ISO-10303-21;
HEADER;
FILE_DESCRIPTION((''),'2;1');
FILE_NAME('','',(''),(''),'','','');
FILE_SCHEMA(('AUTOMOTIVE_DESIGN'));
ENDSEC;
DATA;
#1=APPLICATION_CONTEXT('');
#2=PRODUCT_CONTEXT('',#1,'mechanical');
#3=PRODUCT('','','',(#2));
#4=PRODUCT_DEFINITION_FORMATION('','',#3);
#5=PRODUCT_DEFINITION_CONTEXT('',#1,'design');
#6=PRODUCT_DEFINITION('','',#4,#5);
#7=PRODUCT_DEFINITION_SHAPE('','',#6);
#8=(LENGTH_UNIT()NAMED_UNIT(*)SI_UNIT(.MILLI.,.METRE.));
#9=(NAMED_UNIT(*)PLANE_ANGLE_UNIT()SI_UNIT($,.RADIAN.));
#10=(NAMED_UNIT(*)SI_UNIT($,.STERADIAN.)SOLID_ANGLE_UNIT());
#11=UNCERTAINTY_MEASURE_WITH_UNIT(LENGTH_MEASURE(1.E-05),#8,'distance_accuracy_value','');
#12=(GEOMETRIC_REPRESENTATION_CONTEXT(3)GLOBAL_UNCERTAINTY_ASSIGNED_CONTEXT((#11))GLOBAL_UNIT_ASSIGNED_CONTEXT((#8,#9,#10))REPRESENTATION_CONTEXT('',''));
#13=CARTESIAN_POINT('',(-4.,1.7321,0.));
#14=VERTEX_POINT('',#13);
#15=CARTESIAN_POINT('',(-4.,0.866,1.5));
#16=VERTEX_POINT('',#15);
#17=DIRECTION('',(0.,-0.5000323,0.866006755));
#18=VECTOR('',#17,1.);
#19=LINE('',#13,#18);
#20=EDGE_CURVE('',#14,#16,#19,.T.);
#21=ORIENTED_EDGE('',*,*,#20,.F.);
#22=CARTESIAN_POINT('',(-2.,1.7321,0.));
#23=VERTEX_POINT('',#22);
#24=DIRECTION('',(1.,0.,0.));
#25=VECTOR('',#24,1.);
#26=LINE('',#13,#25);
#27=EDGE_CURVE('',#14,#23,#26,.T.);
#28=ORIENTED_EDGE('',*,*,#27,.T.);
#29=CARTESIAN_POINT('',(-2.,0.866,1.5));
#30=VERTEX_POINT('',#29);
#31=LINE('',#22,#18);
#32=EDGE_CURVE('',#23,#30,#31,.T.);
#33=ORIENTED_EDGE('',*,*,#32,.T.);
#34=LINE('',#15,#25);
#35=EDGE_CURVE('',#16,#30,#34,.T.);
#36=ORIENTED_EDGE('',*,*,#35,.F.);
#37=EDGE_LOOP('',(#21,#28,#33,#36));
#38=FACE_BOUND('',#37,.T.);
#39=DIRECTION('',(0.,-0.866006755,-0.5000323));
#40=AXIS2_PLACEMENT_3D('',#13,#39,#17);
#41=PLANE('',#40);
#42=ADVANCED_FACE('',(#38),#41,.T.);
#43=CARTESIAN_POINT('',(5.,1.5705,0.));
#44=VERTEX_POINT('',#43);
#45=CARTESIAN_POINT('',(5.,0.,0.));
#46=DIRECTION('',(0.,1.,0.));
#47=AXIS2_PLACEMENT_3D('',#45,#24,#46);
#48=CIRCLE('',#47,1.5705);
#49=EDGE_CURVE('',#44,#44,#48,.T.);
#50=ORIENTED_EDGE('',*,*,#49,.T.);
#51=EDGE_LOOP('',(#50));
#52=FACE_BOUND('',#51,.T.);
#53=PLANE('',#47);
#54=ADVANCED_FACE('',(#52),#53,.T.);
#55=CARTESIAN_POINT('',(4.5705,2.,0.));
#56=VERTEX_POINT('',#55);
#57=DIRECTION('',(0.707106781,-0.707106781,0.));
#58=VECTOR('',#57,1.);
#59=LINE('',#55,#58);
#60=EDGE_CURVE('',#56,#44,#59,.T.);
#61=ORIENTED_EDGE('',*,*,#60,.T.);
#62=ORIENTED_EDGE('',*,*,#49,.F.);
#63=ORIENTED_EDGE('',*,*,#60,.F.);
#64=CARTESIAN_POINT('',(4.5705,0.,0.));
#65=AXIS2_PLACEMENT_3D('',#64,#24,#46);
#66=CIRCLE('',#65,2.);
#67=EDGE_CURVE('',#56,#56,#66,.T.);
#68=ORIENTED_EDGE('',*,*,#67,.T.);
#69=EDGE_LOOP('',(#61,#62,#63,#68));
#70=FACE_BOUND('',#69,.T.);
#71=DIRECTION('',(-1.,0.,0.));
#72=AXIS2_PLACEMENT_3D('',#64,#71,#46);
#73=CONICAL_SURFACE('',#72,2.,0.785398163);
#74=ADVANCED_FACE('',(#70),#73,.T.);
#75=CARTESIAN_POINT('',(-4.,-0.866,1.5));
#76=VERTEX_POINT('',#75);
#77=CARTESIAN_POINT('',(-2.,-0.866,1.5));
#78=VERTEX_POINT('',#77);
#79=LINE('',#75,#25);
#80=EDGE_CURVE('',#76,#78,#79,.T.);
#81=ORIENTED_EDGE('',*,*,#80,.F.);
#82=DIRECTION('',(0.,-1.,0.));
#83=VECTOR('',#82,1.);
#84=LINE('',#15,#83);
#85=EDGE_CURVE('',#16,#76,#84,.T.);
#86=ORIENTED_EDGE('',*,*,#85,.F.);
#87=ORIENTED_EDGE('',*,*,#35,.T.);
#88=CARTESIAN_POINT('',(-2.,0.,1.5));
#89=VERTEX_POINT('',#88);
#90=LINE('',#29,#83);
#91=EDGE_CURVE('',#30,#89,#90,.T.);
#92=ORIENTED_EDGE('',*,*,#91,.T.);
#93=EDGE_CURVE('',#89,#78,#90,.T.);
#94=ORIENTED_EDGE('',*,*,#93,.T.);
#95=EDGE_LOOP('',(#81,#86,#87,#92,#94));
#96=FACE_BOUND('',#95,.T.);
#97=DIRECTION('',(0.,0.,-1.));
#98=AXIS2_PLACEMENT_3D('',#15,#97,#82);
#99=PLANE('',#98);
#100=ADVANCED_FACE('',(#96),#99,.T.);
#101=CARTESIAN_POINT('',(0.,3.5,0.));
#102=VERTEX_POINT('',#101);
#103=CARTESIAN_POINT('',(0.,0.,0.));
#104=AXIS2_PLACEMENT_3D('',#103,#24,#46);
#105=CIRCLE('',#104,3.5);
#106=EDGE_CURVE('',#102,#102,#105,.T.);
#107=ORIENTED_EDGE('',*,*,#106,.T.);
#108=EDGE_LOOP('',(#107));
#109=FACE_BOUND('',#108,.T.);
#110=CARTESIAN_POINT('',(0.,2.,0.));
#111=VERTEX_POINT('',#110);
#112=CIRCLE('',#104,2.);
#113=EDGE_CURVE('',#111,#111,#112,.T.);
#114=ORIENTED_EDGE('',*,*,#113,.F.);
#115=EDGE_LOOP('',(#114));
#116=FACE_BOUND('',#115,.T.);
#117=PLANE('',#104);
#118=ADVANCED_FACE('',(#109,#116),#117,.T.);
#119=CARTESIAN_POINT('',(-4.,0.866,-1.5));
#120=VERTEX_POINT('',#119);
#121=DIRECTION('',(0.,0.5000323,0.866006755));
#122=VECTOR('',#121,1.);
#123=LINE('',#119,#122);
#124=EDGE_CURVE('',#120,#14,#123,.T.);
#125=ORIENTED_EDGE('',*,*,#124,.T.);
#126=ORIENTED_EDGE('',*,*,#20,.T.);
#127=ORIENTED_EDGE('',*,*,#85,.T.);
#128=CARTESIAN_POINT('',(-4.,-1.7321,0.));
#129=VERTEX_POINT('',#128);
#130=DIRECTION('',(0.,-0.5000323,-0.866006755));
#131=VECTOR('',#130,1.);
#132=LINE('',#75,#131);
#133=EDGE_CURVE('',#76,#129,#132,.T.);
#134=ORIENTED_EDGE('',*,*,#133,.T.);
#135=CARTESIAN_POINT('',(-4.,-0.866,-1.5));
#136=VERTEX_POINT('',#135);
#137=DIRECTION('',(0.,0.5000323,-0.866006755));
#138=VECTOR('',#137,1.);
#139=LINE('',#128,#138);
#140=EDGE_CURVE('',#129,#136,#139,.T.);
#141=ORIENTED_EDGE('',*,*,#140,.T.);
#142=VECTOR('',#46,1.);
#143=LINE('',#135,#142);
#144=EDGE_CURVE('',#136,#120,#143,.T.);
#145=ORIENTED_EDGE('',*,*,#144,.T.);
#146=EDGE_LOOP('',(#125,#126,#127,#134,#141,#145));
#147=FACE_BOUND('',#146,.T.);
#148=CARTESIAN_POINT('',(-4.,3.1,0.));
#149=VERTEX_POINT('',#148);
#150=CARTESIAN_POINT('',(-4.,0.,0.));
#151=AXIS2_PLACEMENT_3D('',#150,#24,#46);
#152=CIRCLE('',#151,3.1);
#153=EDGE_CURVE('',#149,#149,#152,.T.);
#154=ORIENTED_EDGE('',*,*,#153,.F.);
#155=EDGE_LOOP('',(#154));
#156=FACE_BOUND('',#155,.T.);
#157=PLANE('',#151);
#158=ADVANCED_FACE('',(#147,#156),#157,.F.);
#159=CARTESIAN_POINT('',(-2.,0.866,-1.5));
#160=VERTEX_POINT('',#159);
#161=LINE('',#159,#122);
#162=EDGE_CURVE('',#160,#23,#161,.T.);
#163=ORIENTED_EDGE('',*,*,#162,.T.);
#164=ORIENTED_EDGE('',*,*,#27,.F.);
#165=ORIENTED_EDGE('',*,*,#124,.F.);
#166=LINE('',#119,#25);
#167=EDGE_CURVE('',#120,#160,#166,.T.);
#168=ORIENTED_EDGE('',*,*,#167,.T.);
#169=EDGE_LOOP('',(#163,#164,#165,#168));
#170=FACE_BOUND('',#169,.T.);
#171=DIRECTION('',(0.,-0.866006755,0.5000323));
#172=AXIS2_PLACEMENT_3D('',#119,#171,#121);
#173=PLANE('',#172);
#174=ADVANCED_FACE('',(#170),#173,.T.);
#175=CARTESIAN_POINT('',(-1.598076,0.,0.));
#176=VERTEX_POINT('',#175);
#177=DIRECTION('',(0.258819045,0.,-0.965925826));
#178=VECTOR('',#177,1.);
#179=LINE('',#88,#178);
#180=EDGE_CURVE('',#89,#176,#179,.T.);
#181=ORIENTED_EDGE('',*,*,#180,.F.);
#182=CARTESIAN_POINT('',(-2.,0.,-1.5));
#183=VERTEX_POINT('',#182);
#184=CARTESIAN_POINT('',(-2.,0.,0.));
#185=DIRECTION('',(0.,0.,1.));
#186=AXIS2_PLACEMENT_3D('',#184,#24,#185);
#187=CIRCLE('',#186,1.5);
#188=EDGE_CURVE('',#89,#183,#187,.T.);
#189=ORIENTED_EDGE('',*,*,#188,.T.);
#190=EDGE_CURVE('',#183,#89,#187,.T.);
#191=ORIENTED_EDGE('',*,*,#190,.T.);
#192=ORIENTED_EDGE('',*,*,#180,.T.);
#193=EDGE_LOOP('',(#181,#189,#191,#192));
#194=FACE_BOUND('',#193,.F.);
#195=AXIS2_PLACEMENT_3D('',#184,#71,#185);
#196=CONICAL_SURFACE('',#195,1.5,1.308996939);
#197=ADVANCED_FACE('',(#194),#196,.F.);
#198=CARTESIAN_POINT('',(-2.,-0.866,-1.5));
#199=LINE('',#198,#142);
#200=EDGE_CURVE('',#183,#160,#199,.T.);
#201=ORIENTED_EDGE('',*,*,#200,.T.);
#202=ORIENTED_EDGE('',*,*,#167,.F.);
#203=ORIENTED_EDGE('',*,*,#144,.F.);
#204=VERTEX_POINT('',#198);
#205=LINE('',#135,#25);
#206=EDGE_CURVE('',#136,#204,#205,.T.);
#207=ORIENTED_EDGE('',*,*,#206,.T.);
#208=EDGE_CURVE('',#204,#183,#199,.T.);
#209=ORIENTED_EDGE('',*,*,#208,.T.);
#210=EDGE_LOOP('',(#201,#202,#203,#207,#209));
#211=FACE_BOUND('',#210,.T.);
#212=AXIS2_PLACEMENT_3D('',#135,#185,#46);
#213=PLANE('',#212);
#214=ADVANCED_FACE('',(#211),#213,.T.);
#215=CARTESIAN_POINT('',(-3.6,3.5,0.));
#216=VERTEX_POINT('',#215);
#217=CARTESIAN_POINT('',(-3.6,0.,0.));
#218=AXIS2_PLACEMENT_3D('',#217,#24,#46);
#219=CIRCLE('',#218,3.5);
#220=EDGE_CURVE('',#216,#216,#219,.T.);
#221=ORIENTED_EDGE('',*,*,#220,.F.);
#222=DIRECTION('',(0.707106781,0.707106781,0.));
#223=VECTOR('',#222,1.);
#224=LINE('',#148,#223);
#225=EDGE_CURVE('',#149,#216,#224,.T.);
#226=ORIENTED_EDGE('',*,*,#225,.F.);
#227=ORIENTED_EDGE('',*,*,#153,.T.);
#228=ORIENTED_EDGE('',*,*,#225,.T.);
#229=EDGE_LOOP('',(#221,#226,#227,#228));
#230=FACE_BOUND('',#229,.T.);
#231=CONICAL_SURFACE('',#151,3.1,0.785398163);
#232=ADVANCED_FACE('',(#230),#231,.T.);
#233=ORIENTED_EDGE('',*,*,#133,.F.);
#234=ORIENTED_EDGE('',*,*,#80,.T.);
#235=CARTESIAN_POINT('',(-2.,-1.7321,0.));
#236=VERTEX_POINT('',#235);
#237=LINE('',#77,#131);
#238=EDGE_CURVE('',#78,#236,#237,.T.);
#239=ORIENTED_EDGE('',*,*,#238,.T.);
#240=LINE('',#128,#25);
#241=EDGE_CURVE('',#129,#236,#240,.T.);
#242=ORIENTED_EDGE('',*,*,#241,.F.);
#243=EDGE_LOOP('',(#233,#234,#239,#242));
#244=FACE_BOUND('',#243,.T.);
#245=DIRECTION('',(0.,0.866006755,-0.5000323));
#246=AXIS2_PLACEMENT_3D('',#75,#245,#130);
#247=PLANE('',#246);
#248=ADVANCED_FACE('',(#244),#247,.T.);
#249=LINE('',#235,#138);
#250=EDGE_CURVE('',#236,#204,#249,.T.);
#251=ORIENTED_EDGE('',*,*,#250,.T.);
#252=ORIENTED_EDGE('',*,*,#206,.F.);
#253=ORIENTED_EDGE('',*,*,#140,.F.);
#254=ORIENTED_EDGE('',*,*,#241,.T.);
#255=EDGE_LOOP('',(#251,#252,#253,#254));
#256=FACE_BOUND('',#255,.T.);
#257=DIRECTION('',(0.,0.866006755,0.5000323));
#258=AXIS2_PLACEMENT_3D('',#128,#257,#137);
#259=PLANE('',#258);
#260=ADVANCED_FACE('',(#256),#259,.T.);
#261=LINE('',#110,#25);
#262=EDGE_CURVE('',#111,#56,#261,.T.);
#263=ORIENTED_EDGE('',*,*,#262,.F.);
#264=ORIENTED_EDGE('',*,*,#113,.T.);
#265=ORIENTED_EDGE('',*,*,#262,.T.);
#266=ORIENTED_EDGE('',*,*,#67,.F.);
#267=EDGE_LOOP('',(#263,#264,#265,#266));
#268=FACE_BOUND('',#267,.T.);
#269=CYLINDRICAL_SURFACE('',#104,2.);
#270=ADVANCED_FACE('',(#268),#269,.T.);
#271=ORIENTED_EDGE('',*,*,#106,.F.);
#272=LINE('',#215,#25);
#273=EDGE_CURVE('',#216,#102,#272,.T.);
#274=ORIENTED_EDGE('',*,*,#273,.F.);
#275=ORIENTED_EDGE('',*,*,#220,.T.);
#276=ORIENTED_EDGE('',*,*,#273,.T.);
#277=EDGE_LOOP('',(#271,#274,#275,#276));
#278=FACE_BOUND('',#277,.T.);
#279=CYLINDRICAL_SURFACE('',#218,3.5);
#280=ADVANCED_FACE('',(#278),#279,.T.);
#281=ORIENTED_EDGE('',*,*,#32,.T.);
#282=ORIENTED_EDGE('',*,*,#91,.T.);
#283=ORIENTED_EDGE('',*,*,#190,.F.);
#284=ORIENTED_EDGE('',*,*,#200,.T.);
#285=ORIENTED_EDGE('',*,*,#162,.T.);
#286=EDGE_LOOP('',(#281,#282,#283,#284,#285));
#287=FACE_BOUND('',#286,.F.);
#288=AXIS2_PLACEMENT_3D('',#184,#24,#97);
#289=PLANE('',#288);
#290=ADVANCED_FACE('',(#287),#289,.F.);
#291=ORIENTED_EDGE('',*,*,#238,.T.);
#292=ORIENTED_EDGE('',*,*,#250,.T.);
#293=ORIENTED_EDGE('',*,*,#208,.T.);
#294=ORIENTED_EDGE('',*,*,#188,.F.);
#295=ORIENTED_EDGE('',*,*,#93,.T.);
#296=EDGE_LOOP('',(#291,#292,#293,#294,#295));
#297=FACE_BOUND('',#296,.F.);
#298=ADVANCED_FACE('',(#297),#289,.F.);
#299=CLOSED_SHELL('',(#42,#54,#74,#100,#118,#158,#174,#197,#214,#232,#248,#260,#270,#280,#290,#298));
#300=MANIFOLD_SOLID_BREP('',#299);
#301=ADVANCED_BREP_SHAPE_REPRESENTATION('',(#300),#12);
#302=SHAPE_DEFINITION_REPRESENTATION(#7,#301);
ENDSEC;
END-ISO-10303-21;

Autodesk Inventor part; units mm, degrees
sketch "Sketch_1" plane through (0, 0, 0) normal (0, 0, 1) x (1, 0, 0)
  line L0 (5, 0) -> (-4, 0)
  line L1 (-4, 0) -> (-4, 3.1)
  line L2 (-4, 3.1) -> (-3.6, 3.5)
  line L3 (-3.6, 3.5) -> (0, 3.5)
  line L4 (0, 3.5) -> (0, 2)
  line L5 (0, 2) -> (4.5705, 2)
  line L6 (4.5705, 2) -> (5, 1.5705)
  line L7 (5, 1.5705) -> (5, 0)
  line L8 (5, 0) -> (-4, 0)
revolve "Revolution1" add sketch "Sketch_1" angle 360 about axis through (5, 0, 0) along (1, 0, 0)
thread "Thread1" size "M4x0.7" class "6g" standard "ISO Metric profile" length 3.5705
sketch "Sketch2" plane through (-4, 0, 0) normal (-1, 0, 0) x (0, 0, 1)
  point P0 (0, 0)
hole "Hole1" at (-4, 0, 0) direction (1, 0, 0) diameter 3 depth 2 tip angle 150
sketch "Sketch_3" plane through (-4, 0, 0) normal (1, 0, 0) x (0, 0, -1)
  line L0 (-1.5, -0.866) -> (0, -1.7321)
  line L1 (0, -1.7321) -> (1.5, -0.866)
  line L2 (1.5, -0.866) -> (1.5, 0.866)
  line L3 (1.5, 0.866) -> (0, 1.7321)
  line L4 (0, 1.7321) -> (-1.5, 0.866)
  line L5 (-1.5, 0.866) -> (-1.5, -0.866)
extrude "Extrusion1" cut sketch "Sketch_3" along normal blind 2
ref_plane "bolt_to_nut_XY" through (5, 0, 0) normal (1, 0, 0) x (0, 0, -1)
ref_plane "bolt_to_nut_YZ" through (5, 0, 0) normal (0, 0, -1) x (0, 1, 0)
ref_plane "bolt_to_nut_ZX" through (5, 0, 0) normal (0, 1, 0) x (1, 0, 0)
ref_plane "screw1_XY" through (0, 0, 0) normal (1, 0, 0) x (0, 0, -1)
ref_plane "screw1_YZ" through (0, 0, 0) normal (0, 0, -1) x (0, 1, 0)
ref_plane "screw1_ZX" through (0, 0, 0) normal (0, 1, 0) x (1, 0, 0)
properties part number "CB4-5" material "鋼、炭素鋼"
